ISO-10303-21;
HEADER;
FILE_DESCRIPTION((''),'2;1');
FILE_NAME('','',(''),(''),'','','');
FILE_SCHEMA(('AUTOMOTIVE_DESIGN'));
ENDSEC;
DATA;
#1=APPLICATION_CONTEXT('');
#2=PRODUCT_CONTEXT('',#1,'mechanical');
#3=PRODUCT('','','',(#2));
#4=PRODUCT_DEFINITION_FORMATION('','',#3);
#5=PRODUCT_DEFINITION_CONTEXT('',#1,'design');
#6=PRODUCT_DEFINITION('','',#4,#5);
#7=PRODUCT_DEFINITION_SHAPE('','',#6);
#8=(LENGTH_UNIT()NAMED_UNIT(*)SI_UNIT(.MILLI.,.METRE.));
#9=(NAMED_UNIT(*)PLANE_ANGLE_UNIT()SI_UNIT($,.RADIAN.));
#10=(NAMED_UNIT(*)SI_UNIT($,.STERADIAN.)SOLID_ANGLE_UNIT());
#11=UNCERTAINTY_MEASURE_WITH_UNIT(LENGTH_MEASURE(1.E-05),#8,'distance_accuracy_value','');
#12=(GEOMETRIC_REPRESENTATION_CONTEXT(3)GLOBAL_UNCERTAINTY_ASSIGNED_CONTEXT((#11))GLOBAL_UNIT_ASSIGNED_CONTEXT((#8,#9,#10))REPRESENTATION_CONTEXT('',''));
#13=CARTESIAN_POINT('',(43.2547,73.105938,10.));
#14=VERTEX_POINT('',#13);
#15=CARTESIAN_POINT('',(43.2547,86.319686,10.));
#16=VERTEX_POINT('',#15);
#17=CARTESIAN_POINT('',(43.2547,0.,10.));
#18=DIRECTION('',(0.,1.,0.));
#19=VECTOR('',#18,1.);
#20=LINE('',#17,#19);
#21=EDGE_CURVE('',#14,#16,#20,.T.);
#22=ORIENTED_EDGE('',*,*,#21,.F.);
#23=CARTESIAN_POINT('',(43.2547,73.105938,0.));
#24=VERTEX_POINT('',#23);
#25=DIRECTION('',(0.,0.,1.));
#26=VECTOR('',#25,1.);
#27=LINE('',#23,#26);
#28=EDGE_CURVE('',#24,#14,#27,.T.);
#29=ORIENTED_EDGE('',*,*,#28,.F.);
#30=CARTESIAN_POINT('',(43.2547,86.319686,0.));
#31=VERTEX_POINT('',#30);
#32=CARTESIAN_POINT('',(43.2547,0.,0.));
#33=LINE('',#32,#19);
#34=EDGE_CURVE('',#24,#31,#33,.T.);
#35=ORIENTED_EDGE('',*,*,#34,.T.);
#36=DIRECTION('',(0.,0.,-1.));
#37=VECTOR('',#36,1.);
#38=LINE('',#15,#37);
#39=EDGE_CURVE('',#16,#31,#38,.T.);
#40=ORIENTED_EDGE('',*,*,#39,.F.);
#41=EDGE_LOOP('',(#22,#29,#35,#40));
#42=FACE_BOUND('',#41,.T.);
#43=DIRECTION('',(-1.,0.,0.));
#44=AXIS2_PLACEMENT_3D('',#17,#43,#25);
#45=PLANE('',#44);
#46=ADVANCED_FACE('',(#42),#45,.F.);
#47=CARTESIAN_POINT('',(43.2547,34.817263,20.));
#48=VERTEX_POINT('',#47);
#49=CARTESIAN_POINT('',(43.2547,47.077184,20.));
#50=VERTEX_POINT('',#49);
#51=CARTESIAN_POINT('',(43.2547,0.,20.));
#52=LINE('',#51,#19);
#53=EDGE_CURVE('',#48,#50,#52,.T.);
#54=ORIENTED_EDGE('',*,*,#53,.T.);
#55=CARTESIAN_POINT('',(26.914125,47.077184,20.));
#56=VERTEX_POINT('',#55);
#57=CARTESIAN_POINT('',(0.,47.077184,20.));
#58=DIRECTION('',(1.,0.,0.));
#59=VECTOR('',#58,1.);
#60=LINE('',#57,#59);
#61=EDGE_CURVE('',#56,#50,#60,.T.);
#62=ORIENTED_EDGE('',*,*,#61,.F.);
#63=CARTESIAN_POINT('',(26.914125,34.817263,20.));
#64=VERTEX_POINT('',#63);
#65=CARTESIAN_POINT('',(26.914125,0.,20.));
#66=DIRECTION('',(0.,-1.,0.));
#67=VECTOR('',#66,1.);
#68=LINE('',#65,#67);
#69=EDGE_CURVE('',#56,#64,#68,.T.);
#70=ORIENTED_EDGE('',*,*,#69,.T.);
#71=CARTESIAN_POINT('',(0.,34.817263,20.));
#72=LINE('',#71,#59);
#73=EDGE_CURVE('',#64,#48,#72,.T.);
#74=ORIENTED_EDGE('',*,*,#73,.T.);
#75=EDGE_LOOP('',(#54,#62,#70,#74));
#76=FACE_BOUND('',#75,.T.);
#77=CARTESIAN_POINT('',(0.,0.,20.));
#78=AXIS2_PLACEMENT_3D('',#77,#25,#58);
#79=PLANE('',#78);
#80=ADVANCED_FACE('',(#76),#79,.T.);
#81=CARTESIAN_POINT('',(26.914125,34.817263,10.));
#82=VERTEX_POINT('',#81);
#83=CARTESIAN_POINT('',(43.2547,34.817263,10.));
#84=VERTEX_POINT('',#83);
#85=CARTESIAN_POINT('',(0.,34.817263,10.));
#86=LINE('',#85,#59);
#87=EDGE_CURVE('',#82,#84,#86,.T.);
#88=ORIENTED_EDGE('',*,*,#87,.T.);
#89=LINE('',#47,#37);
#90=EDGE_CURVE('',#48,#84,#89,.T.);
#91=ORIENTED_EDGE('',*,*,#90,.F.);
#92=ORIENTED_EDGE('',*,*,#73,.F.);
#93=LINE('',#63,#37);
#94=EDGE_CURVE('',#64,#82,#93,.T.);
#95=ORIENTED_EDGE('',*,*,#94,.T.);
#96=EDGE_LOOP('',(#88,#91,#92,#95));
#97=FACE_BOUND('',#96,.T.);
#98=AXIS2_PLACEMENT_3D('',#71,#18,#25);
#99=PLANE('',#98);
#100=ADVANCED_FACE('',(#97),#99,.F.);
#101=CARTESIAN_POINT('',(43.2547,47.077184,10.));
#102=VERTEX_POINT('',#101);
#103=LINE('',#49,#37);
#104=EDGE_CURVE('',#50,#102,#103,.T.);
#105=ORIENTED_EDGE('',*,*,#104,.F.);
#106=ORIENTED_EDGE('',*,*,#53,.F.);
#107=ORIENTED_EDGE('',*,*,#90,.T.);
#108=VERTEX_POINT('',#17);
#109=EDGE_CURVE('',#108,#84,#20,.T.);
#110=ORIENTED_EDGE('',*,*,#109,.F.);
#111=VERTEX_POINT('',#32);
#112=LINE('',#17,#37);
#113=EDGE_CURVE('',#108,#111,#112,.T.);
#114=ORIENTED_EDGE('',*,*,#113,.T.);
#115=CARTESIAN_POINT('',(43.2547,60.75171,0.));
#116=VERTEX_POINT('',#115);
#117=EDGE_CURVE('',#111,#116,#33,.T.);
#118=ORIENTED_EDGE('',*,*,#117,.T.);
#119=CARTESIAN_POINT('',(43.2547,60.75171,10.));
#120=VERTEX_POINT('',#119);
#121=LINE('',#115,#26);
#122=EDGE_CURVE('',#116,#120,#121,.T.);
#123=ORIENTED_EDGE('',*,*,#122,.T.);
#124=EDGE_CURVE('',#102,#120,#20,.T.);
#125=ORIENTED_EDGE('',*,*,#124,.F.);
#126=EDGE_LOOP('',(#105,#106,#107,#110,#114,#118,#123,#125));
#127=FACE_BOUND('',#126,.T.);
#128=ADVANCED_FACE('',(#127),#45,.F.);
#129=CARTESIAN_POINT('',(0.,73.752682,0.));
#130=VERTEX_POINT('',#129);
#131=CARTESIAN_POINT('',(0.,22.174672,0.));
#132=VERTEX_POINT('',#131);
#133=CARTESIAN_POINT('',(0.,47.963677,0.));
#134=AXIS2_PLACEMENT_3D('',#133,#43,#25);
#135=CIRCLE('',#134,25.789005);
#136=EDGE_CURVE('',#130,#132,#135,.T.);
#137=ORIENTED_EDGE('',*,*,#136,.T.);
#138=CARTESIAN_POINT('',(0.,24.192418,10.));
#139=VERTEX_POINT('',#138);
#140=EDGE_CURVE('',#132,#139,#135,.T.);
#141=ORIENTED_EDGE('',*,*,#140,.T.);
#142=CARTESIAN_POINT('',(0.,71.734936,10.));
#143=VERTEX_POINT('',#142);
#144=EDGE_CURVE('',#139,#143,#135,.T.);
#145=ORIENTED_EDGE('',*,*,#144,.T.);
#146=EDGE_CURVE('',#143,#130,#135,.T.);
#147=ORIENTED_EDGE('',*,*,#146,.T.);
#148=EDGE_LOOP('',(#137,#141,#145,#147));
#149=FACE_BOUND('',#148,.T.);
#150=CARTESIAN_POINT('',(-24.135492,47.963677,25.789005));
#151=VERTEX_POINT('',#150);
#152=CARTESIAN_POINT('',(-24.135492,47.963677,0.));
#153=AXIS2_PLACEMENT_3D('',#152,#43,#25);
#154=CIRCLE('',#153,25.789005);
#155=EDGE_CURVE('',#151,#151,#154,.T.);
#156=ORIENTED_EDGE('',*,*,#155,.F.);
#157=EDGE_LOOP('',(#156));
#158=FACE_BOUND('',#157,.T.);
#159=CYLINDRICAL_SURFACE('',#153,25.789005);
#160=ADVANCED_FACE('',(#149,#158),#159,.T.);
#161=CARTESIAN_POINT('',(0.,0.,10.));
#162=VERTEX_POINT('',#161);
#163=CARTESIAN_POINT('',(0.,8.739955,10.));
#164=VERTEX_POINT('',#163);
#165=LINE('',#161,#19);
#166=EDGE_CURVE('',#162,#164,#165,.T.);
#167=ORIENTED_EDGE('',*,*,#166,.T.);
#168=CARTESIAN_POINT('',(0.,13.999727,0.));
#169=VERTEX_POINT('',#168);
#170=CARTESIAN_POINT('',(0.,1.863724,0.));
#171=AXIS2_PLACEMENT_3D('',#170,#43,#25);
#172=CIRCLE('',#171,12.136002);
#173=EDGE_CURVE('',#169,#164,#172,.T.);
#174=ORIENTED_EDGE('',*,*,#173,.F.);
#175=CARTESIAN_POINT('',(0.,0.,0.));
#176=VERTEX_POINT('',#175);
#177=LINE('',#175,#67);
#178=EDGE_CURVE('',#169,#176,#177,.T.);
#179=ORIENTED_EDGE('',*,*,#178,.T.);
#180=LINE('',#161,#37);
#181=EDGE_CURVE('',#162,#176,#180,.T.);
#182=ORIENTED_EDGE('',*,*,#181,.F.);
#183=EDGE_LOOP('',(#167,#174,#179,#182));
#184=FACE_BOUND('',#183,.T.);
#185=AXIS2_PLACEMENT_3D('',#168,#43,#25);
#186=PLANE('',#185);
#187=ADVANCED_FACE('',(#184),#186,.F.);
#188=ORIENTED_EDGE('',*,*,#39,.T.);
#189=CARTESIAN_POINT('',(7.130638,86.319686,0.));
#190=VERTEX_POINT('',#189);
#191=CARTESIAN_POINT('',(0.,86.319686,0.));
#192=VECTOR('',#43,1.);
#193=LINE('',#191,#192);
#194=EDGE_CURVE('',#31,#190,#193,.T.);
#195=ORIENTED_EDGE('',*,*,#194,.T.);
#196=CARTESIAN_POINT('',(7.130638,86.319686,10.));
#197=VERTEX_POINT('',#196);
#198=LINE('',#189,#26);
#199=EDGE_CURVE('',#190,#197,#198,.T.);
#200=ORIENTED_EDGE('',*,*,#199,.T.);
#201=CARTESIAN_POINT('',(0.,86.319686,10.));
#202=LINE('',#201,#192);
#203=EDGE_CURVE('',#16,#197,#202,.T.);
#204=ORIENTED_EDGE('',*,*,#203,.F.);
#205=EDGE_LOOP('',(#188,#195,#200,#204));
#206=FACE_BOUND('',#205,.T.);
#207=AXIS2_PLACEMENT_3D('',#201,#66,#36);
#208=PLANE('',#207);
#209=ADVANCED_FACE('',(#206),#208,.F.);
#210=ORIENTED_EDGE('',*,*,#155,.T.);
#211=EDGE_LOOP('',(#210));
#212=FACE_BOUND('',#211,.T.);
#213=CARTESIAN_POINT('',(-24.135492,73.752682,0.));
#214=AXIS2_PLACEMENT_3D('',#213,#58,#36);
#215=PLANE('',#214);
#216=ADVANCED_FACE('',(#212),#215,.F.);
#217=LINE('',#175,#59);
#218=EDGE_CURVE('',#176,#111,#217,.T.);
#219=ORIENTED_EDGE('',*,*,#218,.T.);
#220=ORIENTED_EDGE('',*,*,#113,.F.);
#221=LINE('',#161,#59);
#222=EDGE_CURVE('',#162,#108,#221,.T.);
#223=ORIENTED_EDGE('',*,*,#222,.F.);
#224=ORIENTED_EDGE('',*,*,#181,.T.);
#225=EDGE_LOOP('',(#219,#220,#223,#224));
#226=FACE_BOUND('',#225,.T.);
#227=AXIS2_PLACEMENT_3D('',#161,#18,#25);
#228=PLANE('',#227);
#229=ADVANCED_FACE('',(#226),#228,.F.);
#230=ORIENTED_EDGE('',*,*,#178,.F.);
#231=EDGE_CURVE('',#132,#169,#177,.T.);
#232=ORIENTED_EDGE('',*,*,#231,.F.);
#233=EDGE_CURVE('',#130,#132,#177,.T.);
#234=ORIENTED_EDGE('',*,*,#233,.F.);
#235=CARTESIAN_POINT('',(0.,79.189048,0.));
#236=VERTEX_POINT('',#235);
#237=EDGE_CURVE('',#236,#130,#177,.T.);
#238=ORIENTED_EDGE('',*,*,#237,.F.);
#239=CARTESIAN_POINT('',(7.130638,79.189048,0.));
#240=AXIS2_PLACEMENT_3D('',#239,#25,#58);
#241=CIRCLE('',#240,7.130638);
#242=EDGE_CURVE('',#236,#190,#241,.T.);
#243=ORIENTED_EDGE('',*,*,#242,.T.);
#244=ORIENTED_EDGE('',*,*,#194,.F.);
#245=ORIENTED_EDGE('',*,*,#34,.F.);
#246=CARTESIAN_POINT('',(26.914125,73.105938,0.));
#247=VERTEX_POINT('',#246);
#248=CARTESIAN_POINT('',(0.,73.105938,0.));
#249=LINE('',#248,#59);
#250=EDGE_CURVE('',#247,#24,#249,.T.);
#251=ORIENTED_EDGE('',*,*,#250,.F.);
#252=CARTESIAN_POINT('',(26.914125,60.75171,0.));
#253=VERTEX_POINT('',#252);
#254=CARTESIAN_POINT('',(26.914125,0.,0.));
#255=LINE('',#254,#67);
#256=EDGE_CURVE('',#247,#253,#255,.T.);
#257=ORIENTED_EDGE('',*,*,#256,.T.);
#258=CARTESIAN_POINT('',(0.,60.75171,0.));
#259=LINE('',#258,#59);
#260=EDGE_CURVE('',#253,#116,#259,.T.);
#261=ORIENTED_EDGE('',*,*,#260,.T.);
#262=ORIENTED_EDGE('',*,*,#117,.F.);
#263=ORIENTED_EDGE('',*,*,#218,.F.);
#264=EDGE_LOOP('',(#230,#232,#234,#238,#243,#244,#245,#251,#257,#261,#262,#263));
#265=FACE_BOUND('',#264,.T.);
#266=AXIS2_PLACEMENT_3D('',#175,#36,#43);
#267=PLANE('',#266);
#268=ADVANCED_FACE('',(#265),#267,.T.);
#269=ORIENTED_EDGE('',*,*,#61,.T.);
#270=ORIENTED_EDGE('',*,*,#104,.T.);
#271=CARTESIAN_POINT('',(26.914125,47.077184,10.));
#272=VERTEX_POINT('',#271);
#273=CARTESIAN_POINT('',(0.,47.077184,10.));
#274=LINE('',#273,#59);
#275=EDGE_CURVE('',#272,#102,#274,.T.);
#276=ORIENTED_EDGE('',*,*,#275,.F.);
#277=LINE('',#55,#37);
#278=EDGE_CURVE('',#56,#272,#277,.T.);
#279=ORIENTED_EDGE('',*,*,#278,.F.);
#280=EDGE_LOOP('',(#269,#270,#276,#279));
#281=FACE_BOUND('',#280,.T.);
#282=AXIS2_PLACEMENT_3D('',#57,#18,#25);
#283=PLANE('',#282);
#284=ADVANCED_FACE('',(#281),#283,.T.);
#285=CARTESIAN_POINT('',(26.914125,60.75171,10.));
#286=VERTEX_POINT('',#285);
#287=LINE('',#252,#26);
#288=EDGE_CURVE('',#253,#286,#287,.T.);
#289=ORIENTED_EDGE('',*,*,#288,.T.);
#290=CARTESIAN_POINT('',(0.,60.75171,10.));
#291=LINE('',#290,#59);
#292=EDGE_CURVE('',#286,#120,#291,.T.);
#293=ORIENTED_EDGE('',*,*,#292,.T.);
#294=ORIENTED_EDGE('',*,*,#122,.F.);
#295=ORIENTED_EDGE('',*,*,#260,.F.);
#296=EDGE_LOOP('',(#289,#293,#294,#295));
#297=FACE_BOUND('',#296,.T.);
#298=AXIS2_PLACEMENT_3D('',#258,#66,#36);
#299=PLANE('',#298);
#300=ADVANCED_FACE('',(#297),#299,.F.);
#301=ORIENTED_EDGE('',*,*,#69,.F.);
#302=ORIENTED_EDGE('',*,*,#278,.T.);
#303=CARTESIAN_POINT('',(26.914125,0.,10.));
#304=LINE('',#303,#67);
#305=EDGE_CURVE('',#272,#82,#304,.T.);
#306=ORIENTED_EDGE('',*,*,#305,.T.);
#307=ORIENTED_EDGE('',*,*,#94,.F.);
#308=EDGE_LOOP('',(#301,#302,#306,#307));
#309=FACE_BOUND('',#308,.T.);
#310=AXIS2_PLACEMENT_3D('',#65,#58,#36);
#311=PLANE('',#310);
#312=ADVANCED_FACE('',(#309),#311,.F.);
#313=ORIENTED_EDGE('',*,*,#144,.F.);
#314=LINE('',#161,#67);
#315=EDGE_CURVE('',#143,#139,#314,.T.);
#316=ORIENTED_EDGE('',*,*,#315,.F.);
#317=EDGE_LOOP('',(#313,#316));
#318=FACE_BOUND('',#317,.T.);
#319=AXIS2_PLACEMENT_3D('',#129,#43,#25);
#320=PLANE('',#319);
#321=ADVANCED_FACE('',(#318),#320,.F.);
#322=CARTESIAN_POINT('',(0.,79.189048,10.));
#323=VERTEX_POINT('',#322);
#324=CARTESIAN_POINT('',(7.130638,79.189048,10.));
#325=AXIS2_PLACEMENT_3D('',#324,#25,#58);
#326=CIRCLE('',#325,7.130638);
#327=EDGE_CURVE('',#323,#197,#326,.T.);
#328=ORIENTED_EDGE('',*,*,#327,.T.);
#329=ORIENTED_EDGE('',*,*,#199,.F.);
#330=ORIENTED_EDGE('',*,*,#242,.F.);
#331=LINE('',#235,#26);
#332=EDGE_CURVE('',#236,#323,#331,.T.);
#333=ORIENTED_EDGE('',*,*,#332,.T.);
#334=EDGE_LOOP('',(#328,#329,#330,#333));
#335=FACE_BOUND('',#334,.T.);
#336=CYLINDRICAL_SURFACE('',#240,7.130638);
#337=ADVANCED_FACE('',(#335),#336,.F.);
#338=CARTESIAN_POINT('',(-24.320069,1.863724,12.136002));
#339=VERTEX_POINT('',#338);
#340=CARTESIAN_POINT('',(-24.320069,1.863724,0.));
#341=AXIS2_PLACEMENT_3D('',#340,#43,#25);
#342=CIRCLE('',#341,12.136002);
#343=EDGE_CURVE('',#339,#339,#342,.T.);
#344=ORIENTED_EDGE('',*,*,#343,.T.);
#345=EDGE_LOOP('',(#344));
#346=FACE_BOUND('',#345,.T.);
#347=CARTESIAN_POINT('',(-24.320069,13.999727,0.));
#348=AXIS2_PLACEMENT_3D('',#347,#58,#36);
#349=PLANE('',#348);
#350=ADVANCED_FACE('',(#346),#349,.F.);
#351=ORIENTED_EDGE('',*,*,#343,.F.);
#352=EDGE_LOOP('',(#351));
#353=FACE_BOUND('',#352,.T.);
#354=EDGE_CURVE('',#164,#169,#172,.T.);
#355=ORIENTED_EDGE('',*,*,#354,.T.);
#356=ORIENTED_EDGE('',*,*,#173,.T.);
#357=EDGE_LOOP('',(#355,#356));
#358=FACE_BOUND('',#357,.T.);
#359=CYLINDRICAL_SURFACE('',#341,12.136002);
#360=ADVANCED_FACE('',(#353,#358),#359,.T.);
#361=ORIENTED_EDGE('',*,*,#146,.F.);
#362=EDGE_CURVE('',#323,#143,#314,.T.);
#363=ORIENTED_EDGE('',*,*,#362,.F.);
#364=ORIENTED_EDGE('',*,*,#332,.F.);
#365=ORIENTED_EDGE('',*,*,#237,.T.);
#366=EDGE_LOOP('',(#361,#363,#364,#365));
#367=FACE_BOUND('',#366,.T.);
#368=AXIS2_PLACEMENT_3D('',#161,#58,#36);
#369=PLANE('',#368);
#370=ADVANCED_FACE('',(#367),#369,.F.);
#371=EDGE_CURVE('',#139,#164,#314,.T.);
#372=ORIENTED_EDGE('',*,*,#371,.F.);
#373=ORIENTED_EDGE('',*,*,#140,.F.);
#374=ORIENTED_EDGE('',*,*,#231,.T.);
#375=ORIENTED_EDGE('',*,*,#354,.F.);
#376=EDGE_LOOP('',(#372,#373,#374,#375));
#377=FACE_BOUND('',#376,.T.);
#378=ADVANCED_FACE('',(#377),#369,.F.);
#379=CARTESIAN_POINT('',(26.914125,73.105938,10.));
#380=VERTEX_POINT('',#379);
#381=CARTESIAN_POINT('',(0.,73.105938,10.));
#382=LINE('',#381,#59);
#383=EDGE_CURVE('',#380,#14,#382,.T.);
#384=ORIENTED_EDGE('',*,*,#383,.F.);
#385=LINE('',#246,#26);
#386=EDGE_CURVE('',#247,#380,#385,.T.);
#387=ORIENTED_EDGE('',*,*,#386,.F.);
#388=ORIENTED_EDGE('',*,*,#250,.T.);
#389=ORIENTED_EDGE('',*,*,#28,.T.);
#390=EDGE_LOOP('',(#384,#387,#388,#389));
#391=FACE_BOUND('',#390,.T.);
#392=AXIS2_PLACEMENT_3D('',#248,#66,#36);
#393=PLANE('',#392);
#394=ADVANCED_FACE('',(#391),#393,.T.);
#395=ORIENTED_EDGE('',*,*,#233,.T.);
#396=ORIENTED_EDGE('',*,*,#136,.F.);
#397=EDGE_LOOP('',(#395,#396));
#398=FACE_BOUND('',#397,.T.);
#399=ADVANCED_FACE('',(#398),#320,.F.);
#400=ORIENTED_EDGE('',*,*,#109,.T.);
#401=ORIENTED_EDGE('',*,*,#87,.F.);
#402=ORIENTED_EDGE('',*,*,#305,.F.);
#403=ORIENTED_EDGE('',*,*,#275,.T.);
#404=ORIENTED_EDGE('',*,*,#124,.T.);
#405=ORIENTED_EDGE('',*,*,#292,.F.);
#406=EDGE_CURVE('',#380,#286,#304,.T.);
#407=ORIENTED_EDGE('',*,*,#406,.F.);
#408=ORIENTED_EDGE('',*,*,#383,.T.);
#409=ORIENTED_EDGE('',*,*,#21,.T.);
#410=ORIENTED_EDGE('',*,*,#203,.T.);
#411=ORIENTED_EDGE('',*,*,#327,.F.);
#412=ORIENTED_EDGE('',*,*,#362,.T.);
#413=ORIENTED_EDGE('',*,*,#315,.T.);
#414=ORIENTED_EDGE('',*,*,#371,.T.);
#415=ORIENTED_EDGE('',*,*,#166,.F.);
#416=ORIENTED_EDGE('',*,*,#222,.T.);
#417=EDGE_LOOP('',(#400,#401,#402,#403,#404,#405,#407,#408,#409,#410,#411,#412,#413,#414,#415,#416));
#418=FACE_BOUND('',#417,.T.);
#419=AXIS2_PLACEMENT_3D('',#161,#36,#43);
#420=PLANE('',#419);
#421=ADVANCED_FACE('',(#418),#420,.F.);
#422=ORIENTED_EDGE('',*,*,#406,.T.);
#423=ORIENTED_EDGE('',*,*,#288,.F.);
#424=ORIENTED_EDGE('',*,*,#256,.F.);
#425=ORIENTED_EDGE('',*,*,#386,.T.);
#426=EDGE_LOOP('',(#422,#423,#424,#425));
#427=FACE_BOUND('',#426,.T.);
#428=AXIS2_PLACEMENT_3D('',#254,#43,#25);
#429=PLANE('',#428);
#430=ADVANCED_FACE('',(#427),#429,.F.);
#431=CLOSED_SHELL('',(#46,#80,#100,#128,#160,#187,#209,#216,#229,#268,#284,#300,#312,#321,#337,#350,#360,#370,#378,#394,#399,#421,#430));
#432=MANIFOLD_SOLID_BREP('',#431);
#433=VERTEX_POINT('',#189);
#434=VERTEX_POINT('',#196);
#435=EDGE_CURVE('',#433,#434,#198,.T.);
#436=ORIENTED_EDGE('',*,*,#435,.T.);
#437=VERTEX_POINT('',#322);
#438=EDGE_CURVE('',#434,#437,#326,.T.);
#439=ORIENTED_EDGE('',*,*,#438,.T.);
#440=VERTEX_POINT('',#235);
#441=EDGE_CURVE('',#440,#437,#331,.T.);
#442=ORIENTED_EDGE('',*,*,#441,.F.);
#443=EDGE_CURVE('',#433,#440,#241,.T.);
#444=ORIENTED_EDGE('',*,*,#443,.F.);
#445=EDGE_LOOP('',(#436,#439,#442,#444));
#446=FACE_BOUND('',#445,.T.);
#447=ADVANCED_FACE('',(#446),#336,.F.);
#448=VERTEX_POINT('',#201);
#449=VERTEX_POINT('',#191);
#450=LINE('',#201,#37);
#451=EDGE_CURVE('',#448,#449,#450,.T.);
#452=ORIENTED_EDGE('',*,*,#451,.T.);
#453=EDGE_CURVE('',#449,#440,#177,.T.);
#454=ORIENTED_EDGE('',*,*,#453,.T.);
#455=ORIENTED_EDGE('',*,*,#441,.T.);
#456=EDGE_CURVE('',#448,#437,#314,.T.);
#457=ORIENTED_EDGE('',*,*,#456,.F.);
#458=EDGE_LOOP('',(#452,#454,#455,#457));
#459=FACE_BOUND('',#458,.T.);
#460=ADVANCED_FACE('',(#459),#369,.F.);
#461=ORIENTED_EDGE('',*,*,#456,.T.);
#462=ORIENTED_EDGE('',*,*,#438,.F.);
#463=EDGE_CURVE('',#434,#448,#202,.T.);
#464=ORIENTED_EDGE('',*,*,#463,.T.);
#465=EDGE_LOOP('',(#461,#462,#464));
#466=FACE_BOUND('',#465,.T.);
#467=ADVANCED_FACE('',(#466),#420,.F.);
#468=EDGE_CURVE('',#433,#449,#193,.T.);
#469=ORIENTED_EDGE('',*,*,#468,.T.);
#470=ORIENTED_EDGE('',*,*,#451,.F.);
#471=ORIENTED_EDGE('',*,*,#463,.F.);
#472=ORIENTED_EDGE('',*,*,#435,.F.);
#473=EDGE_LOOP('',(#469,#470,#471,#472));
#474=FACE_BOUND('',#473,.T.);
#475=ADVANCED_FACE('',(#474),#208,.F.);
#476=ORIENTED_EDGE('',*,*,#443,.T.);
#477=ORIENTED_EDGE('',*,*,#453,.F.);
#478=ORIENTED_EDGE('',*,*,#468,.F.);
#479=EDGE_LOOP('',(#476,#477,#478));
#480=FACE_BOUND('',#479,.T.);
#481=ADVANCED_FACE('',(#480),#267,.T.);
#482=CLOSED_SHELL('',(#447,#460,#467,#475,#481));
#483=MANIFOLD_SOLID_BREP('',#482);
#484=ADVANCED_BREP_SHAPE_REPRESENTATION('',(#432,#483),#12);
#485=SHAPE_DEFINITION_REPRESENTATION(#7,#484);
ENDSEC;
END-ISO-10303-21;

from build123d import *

# Parameters (mm, degrees)
SKETCH_1_W          = 43.254699728
SKETCH_1_H          = 86.319685861
EXTRUDE_1_DEPTH     = 10
SKETCH_2_W          = 24.135491712
SKETCH_2_H          = 25.789004645
SKETCH_3_W          = 24.320068761
SKETCH_3_H          = 12.136002186
SKETCH_4_W          = 16.340574455
SKETCH_4_H          = 12.354227472
CUT_EXTRUDE_1_DEPTH = 10
SKETCH_4_3_W        = 16.340574455
SKETCH_4_3_H        = 12.259920393
EXTRUDE_2_DEPTH     = 10
SKETCH_8_R          = 7.130638078
CUT_EXTRUDE_3_DEPTH = 10


with BuildPart() as part:
    # 草图1 → 凸台-拉伸1 (new body)
    with BuildSketch(Plane.XY):
        with Locations((21.627349864, 43.159842931)):
            Rectangle(SKETCH_1_W, SKETCH_1_H)
    extrude(amount=EXTRUDE_1_DEPTH)

    # 草图2 → 旋转3 (revolve)
    with BuildSketch(Plane.XY):
        with Locations((-12.067745856, 60.858179452)):
            Rectangle(SKETCH_2_W, SKETCH_2_H)
    revolve(axis=Axis((-24.135491712, 47.963677129, 0), (1, 0, 0)))

    # 草图3 → 旋转5 (revolve)
    with BuildSketch(Plane.XY):
        with Locations((-12.160034381, 7.931725474)):
            Rectangle(SKETCH_3_W, SKETCH_3_H)
    revolve(axis=Axis((-24.320068761, 1.863724381, 0), (1, 0, 0)))

    # 草图4 → 切除-拉伸1 (cut)
    with BuildSketch(Plane.XY.offset(10)):
        with Locations((35.084412501, 66.928824031)):
            Rectangle(SKETCH_4_W, SKETCH_4_H)
    extrude(amount=-CUT_EXTRUDE_1_DEPTH, mode=Mode.SUBTRACT)

    # 草图4<3> → 凸台-拉伸2 (add)
    with BuildSketch(Plane.XY.offset(10)):
        with Locations((35.084412501, 40.947223507)):
            Rectangle(SKETCH_4_3_W, SKETCH_4_3_H)
    extrude(amount=EXTRUDE_2_DEPTH)

    # 草图8 → 切除-拉伸3 (cut)
    with BuildSketch(Plane.XY.offset(10)):
        with Locations((7.130638078, 79.189047783)):
            Circle(SKETCH_8_R)
    extrude(amount=-CUT_EXTRUDE_3_DEPTH, mode=Mode.SUBTRACT)


with BuildPart() as cut_extrude_3_piece_1:
    # of the separate pieces the step leaves, piece 1, a body of its own (cut_extrude_3_pieces)
    add(part.part.solids().sort_by_distance((0, 0, 0))[0])


with BuildPart() as cut_extrude_3_piece_2:
    # of the separate pieces the step leaves, piece 2, a body of its own (cut_extrude_3_pieces)
    add(part.part.solids().sort_by_distance((0, 86.319685861, 0))[0])


solid = Compound([cut_extrude_3_piece_1.part, cut_extrude_3_piece_2.part])
